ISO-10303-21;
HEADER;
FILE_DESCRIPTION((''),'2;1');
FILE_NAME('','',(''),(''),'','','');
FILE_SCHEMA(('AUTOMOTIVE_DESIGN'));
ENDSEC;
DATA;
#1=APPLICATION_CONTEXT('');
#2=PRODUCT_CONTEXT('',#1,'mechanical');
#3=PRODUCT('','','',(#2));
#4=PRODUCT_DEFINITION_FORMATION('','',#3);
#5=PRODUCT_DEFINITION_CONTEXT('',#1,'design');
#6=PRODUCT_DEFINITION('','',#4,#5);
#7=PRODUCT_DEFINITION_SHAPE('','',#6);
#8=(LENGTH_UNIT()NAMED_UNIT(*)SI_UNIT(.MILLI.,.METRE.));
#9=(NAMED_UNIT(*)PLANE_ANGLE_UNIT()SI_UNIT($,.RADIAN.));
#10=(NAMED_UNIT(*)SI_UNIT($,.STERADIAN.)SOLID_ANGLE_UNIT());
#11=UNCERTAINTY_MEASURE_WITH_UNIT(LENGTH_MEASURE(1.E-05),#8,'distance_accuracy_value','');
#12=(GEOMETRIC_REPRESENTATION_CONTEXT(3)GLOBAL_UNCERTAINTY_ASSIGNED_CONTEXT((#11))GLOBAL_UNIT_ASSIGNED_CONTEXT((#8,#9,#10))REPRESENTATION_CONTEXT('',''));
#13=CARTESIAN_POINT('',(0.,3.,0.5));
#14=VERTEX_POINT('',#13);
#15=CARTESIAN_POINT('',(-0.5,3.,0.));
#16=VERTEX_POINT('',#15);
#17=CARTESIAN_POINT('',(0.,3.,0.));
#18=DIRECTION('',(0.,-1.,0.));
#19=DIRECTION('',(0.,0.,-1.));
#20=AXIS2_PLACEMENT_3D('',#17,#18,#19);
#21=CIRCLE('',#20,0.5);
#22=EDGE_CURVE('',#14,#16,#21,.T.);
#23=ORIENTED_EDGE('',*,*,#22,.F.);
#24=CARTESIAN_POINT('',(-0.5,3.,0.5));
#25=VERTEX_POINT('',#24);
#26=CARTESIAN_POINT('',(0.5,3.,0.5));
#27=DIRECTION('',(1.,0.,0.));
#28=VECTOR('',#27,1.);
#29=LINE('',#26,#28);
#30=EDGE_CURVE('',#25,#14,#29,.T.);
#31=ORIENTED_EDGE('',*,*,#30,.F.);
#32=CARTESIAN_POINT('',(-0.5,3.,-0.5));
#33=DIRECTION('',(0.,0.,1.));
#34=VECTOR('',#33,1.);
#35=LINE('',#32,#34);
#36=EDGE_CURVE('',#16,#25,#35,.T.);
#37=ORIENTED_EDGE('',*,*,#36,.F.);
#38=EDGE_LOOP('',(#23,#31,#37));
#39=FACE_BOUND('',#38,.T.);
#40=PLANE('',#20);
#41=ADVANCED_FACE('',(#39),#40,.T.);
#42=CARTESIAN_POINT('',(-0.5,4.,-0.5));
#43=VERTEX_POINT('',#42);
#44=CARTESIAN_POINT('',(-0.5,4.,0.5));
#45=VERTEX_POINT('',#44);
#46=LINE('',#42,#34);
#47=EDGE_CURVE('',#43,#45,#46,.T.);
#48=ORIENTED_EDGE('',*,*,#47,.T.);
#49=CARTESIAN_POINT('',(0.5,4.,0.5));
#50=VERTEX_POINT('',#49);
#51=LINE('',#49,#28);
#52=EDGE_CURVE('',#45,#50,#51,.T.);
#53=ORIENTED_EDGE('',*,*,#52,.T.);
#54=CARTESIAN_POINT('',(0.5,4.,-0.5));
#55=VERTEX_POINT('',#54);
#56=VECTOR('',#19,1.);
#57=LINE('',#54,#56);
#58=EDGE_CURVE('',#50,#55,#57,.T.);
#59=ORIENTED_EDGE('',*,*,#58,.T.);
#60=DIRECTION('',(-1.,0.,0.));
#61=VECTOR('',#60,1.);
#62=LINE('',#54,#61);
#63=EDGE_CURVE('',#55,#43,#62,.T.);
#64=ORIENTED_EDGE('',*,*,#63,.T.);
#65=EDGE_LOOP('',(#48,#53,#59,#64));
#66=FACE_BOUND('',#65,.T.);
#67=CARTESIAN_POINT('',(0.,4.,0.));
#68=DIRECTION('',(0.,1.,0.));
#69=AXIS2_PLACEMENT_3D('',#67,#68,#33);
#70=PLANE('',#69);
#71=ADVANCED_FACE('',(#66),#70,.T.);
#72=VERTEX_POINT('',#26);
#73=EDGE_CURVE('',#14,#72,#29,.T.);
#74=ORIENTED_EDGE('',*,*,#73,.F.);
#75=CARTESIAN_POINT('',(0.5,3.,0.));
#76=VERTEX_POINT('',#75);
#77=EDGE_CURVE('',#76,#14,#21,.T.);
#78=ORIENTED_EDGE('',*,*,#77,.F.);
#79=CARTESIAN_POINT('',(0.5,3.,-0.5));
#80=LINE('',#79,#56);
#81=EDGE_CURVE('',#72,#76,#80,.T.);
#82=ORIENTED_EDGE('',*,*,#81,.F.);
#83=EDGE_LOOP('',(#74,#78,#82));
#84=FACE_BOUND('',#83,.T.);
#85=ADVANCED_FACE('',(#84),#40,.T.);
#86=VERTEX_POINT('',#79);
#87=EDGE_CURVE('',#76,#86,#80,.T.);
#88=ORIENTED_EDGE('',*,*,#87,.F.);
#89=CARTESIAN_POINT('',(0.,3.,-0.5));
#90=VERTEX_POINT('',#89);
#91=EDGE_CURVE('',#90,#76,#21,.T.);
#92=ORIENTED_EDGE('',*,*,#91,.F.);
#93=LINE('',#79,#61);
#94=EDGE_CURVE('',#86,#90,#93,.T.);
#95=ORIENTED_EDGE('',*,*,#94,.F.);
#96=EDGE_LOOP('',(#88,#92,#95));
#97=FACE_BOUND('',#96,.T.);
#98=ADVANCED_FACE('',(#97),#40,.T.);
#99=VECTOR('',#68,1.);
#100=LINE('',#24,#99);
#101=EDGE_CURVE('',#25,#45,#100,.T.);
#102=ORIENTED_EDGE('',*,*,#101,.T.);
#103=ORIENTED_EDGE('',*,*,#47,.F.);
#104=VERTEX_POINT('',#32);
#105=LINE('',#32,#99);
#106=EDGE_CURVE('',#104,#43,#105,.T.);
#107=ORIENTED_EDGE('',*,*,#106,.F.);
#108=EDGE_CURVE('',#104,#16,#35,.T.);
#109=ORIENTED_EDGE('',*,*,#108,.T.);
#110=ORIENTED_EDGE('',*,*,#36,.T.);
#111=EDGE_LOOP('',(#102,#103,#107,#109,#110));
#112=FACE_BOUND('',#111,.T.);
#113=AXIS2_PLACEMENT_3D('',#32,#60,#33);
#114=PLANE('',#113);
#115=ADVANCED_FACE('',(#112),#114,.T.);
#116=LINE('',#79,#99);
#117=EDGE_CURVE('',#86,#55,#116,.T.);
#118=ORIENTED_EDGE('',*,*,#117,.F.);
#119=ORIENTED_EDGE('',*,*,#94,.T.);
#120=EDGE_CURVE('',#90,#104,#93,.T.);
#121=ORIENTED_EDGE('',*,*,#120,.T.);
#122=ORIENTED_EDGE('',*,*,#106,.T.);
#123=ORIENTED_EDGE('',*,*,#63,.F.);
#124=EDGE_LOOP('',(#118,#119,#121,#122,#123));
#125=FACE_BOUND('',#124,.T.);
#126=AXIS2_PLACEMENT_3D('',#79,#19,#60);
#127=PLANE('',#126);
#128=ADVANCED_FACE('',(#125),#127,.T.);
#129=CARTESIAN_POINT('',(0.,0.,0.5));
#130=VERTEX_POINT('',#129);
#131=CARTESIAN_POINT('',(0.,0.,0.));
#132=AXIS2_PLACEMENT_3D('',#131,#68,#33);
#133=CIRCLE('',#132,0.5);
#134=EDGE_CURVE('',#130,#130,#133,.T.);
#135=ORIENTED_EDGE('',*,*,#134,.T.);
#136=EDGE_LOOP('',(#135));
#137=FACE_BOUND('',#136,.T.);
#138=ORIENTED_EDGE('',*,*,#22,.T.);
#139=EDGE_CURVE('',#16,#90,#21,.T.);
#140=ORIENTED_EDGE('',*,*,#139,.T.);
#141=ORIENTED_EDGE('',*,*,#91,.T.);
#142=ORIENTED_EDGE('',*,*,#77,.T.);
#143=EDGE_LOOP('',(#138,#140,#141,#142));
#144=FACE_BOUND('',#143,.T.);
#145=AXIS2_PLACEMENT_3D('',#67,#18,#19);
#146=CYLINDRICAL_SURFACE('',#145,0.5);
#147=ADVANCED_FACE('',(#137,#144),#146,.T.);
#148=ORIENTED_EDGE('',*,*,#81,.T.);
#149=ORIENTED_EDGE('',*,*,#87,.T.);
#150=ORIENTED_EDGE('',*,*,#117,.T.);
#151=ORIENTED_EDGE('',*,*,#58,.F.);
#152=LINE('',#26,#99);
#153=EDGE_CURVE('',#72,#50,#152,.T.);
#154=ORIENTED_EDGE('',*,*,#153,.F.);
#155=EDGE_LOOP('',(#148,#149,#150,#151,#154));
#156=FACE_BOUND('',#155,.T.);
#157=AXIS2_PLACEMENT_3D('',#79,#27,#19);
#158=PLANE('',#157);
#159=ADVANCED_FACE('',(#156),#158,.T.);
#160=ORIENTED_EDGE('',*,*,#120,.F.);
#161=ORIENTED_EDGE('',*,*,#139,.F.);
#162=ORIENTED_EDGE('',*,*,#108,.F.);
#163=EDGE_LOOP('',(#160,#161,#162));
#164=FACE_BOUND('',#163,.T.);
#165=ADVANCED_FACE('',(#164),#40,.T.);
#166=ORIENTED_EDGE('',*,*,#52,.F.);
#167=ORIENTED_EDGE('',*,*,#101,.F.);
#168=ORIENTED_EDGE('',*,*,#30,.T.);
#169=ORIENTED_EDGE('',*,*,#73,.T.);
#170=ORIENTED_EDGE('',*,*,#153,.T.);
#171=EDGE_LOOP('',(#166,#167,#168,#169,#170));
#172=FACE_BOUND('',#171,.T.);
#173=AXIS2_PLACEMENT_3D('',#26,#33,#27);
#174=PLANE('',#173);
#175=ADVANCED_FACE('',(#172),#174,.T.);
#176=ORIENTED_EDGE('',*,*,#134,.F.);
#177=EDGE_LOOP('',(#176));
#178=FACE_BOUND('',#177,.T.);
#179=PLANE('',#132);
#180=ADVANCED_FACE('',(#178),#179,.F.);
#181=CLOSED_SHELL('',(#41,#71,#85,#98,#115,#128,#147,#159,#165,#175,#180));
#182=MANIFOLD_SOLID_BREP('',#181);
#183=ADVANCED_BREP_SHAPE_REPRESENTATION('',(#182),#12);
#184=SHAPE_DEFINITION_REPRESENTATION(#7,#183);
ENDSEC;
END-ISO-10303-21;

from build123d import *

# Parameters (mm, degrees)
ESBO_O1_R                = 0.5
RESSALTO_EXTRUS_O1_DEPTH = 4
ESBO_O2_W                = 1
ESBO_O2_H                = 1
RESSALTO_EXTRUS_O2_DEPTH = 1


with BuildPart() as part:
    # Esboço1 → Ressalto-extrusão1 (new body)
    with BuildSketch(Plane(origin=(0, 0, 0), x_dir=(1, 0, 0), z_dir=(0, 1, 0))):
        with Locations(Location((0, 0, 0), (0, 0, 270))):
            Circle(ESBO_O1_R)
    extrude(amount=RESSALTO_EXTRUS_O1_DEPTH)

    # Esboço2 → Ressalto-extrusão2 (add)
    with BuildSketch(Plane(origin=(0, 4, 0), x_dir=(1, 0, 0), z_dir=(0, 1, 0))):
        Rectangle(ESBO_O2_W, ESBO_O2_H)
    extrude(amount=-RESSALTO_EXTRUS_O2_DEPTH)


solid = part.part
